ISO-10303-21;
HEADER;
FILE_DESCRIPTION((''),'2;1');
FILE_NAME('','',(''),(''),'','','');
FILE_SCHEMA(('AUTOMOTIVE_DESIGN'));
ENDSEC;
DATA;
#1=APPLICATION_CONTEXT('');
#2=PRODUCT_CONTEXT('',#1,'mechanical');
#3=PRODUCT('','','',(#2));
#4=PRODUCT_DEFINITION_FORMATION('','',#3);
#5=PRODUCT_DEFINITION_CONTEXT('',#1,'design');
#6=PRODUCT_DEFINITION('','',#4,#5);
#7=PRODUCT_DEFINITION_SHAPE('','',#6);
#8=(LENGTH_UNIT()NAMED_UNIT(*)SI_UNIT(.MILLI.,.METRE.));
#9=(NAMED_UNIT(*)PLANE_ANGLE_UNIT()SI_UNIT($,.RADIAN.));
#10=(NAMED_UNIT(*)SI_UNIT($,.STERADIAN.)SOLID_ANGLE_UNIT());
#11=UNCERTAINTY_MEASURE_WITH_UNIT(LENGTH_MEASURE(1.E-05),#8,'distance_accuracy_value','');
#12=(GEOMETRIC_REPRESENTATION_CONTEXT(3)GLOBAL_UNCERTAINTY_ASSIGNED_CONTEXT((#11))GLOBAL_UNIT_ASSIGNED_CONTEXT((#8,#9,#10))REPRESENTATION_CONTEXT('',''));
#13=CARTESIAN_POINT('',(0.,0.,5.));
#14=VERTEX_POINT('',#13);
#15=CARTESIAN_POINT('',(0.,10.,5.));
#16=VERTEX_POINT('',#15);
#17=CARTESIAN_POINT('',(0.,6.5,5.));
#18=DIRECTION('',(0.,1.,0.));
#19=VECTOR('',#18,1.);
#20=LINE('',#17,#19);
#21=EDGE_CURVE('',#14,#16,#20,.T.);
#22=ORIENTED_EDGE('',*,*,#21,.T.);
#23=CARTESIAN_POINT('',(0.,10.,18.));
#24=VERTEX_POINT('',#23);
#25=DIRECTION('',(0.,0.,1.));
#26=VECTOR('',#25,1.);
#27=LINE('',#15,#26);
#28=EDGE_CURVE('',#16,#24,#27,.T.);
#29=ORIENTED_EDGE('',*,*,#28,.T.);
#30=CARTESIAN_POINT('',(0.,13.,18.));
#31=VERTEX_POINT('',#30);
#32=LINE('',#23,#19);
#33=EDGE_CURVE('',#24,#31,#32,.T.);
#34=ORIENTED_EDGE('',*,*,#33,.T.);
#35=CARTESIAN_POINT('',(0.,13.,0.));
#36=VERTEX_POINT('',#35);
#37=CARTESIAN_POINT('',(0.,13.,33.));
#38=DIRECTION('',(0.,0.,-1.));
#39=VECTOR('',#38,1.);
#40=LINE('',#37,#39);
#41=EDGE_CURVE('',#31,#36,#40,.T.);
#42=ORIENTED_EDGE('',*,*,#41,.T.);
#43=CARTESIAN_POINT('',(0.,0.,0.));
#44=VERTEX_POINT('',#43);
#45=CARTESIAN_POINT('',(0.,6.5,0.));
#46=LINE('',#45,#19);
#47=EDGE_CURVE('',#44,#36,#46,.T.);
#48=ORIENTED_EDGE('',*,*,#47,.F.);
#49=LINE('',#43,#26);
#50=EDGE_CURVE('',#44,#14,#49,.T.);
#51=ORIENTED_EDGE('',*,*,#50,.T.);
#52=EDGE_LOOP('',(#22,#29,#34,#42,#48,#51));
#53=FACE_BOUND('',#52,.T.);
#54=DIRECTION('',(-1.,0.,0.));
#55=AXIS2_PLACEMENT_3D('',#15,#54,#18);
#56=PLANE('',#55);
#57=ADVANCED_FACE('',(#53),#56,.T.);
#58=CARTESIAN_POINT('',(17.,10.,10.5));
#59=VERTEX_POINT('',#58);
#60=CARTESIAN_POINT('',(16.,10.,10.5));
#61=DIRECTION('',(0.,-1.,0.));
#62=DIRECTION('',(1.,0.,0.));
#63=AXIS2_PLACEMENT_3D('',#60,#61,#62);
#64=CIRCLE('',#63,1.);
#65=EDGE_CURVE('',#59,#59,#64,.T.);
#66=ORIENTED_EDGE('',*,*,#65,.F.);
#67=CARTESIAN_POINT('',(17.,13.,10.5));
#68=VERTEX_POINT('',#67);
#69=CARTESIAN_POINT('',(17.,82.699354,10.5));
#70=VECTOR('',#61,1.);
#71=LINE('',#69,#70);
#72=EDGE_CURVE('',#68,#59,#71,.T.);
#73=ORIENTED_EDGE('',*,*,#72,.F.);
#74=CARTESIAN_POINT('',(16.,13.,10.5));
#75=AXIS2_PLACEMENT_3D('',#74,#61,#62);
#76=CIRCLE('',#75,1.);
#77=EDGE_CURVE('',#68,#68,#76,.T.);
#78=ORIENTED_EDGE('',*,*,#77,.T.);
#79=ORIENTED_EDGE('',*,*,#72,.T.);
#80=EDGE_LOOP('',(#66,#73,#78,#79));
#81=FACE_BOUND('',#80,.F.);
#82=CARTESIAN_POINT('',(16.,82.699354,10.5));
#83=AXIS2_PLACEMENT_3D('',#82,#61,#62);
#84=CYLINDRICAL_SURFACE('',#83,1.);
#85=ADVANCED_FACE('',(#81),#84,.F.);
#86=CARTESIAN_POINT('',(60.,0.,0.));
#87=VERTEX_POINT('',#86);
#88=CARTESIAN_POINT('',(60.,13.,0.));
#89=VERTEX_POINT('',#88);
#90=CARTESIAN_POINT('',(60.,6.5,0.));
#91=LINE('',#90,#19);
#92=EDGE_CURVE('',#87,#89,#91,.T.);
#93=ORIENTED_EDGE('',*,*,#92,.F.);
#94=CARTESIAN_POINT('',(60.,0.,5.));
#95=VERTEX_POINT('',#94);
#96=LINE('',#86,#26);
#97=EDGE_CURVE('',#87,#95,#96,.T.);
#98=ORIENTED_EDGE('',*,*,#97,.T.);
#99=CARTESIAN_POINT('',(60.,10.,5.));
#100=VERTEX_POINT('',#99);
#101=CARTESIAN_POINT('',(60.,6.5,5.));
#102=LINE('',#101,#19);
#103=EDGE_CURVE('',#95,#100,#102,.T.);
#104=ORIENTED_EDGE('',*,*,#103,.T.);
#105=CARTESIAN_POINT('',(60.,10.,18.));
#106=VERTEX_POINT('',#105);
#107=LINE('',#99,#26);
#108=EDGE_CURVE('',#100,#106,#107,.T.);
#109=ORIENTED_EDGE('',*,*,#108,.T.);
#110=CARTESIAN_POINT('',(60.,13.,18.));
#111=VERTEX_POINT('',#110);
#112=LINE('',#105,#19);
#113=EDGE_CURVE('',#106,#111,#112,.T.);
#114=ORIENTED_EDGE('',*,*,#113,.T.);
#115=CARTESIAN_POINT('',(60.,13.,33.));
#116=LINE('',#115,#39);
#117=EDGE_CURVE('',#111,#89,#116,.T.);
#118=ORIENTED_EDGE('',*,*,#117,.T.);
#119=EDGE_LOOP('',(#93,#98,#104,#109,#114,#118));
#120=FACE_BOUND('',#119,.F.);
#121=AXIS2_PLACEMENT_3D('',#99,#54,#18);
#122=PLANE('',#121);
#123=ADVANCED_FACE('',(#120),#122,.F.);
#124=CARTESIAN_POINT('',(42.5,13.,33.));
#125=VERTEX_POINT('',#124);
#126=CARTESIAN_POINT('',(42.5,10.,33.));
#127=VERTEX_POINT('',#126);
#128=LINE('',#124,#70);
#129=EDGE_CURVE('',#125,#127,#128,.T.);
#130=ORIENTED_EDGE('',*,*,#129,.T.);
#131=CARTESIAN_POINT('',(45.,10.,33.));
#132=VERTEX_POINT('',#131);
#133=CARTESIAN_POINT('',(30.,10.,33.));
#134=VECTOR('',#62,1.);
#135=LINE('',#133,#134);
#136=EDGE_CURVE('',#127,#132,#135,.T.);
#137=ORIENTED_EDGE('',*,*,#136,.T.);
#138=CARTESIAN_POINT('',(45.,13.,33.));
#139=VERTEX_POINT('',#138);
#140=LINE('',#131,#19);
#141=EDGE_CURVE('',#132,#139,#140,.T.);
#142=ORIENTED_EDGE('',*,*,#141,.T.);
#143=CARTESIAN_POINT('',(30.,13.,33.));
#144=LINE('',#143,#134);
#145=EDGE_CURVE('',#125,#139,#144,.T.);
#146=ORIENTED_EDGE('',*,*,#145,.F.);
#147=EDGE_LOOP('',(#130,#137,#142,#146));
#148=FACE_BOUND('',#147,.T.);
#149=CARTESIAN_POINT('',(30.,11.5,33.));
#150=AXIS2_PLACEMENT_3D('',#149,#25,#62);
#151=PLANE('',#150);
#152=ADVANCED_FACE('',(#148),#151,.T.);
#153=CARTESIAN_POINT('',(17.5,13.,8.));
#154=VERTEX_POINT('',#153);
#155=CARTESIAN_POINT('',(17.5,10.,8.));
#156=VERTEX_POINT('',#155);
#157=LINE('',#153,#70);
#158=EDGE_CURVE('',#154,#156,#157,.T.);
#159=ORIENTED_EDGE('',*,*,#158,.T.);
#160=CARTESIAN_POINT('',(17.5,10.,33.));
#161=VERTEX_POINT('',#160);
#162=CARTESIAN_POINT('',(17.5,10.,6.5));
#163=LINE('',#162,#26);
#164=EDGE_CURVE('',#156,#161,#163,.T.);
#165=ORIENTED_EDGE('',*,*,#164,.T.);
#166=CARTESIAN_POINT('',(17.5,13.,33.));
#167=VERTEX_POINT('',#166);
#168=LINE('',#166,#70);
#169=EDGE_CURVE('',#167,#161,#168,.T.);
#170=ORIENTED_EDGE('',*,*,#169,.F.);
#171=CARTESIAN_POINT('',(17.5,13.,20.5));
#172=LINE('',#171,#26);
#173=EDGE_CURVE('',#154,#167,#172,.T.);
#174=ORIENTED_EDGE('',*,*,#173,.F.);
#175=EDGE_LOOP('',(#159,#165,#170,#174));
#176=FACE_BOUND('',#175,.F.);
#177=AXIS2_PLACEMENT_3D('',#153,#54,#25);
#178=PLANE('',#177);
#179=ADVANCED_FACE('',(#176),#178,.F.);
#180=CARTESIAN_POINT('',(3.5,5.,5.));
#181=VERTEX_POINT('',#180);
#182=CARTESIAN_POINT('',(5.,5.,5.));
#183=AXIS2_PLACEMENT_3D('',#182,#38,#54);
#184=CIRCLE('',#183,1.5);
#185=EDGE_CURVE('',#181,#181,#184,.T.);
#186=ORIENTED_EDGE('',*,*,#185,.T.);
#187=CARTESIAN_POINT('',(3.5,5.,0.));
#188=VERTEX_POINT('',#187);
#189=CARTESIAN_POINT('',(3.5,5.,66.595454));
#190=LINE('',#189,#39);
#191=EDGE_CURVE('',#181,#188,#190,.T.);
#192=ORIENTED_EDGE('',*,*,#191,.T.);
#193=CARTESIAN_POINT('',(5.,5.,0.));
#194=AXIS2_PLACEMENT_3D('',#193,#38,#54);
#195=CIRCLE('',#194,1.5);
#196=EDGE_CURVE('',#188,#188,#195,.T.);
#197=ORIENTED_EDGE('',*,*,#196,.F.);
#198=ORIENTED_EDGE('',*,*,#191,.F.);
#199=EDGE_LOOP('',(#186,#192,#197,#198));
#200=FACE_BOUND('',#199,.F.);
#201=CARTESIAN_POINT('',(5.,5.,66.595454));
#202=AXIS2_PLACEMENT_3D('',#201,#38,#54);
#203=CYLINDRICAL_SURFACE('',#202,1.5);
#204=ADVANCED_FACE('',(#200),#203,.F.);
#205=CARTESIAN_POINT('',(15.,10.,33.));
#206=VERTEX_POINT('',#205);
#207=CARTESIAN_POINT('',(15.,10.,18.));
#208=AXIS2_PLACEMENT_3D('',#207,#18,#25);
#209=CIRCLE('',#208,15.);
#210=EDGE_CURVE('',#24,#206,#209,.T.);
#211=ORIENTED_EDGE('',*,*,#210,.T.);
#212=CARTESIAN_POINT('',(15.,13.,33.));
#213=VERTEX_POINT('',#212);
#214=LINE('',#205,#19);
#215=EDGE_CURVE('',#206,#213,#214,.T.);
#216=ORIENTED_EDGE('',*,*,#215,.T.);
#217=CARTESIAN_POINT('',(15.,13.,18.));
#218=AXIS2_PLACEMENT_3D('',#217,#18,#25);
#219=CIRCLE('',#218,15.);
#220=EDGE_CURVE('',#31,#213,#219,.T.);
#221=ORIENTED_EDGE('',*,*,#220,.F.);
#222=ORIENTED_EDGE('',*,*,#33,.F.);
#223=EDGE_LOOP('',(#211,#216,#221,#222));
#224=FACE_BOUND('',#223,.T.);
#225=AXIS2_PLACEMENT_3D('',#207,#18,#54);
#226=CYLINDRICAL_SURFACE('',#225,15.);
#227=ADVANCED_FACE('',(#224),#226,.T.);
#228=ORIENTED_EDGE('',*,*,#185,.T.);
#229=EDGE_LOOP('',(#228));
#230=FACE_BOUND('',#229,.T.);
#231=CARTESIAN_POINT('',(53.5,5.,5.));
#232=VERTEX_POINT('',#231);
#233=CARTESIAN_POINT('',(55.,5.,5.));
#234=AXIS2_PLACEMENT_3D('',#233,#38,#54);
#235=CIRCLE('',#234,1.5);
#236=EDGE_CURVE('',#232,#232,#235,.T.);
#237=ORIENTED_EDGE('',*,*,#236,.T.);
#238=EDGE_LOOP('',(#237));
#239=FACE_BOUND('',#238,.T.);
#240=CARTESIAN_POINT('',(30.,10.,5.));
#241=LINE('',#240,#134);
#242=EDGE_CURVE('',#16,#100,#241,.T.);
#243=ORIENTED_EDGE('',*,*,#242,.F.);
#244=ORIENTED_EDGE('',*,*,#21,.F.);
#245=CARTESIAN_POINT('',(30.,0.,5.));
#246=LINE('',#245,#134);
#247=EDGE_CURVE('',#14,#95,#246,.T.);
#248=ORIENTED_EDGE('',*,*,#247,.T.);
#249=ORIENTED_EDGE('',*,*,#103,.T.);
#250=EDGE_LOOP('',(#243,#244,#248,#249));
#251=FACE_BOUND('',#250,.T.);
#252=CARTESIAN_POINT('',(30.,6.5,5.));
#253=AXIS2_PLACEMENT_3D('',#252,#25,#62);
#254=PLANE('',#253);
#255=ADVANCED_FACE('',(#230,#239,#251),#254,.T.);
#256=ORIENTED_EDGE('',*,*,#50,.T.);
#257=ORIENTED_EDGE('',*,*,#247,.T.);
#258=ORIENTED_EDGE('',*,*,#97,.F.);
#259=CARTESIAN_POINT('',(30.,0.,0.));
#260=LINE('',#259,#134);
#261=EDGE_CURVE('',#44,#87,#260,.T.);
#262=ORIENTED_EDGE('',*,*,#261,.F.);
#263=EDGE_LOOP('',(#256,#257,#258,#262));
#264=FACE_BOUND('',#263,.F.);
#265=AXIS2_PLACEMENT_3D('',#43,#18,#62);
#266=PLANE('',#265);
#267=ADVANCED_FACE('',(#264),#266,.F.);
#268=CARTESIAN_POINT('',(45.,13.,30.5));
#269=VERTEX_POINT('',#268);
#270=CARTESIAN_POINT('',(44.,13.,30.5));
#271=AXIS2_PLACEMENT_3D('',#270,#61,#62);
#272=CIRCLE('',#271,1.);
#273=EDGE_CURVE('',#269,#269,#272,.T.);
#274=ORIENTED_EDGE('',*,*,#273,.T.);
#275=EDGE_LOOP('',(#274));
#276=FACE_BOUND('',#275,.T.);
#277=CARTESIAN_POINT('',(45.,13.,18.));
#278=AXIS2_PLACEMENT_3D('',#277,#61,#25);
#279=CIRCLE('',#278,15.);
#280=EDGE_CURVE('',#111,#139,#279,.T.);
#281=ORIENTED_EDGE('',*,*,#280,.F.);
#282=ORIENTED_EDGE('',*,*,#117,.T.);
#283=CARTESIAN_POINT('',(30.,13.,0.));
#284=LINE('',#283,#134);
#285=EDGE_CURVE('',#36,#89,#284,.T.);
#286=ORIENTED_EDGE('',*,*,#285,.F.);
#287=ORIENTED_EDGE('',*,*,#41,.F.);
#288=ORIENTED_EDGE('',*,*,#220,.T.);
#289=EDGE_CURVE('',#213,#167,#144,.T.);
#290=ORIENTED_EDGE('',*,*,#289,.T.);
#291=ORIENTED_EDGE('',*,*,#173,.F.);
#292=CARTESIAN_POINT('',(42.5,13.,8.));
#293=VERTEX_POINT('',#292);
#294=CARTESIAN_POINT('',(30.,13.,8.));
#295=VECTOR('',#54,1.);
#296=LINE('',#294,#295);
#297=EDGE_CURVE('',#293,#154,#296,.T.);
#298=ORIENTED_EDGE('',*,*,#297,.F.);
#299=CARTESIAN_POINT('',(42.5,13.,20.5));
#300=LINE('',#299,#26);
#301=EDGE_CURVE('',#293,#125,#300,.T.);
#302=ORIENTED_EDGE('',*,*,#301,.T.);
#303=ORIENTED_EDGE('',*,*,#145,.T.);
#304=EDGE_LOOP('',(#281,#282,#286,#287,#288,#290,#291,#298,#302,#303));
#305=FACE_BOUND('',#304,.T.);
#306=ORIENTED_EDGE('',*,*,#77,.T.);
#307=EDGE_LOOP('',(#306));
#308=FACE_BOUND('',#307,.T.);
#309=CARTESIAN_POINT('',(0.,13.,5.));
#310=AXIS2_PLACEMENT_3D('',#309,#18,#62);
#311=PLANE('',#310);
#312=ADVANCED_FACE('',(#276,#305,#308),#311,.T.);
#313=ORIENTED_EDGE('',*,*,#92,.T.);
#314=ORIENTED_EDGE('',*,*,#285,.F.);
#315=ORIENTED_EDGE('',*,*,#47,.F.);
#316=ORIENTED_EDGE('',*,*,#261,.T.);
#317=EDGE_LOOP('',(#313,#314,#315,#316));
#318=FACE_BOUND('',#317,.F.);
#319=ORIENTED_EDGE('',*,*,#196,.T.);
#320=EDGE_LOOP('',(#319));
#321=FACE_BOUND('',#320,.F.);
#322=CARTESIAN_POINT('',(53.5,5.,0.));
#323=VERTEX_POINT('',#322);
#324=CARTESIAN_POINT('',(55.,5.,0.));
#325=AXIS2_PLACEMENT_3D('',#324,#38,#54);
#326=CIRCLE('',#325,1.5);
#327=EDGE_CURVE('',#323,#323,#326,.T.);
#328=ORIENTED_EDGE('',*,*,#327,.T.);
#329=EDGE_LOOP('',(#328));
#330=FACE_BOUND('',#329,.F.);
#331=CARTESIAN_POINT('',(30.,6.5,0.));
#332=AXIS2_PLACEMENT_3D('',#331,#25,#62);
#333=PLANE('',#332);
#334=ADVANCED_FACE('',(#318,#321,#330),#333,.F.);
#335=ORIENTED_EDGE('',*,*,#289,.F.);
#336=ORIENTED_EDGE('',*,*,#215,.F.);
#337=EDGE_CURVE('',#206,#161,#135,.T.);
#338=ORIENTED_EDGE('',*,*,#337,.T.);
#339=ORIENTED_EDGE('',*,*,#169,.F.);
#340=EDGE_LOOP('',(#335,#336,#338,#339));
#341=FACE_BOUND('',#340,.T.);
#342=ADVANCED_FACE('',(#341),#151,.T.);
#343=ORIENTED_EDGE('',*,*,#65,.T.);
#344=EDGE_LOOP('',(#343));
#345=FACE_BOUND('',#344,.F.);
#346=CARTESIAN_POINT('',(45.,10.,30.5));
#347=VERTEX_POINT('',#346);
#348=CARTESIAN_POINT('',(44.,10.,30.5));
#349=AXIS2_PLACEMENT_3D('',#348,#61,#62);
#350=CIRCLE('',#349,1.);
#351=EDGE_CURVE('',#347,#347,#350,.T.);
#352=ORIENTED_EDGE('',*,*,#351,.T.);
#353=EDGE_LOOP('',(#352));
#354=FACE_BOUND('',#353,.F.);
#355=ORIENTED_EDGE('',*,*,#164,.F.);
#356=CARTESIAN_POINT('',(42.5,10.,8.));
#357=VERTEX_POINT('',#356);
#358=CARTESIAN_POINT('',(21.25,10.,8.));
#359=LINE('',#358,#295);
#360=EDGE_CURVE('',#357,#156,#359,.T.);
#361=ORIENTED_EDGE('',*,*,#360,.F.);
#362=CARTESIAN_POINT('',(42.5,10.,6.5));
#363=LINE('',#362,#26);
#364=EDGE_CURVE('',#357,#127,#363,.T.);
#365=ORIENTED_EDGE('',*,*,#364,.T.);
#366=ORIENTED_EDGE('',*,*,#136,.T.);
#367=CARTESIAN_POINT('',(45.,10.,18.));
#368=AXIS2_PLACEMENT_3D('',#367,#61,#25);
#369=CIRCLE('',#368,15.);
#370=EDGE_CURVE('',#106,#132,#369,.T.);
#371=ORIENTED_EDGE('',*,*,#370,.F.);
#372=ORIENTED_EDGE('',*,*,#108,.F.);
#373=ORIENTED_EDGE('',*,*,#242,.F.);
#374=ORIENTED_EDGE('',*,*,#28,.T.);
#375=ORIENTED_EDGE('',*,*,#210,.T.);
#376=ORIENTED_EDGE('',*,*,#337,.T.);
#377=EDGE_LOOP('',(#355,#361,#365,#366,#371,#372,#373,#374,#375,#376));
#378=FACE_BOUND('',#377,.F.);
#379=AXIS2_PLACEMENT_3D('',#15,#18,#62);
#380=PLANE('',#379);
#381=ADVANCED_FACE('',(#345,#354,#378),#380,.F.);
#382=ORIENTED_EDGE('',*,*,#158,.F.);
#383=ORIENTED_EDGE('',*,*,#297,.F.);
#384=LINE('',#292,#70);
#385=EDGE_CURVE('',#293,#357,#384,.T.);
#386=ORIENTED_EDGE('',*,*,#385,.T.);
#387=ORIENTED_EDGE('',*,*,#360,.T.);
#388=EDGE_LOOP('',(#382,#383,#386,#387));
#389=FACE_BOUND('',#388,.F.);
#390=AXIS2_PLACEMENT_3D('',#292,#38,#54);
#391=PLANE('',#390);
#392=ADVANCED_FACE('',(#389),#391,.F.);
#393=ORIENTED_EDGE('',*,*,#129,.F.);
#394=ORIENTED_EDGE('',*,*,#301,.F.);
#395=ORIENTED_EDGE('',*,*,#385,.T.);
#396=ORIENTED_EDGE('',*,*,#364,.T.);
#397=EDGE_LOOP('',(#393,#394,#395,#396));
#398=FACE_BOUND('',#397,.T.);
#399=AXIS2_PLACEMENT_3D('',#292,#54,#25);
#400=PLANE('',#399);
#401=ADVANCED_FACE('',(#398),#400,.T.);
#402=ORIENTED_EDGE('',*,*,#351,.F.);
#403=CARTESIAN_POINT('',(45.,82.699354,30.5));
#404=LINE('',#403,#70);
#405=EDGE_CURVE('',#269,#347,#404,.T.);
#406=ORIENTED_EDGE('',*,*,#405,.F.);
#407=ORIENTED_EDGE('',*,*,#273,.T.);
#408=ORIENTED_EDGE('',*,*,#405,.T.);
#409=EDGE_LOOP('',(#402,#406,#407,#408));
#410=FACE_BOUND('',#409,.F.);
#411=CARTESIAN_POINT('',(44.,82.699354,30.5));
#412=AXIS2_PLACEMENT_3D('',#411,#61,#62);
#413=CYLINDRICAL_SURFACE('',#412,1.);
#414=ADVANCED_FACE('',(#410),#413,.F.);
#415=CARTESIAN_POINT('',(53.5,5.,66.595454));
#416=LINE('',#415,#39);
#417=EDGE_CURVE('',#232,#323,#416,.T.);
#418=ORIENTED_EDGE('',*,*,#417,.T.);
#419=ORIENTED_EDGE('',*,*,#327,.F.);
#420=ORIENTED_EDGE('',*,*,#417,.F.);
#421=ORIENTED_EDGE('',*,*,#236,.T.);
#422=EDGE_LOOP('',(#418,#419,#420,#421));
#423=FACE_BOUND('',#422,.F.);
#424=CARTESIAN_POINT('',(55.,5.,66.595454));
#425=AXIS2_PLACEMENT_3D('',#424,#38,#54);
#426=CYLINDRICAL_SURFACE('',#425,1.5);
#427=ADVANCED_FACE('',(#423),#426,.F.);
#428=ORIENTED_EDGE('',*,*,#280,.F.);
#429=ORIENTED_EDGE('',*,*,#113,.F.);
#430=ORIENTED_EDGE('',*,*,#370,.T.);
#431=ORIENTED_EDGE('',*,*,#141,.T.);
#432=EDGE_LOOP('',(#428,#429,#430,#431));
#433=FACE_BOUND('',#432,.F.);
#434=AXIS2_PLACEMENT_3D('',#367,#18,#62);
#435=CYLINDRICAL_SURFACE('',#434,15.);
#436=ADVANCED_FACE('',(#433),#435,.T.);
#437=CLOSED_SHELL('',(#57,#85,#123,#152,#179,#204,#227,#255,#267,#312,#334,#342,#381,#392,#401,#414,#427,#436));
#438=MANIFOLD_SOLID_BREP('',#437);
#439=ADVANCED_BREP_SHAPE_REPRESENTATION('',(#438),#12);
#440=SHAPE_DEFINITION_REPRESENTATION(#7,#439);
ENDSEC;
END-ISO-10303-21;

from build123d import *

# Parameters (mm, degrees)
F0_W     = 60
F0_H     = 13
F1_DEPTH = 5
F3_D     = 3
F4_W     = 60
F4_H     = 3
F5_DEPTH = 28
F6_W     = 25
F6_H     = 25
F7_DEPTH = 5
F9_D     = 2
F10_R    = 15


with BuildPart() as f1:
    # F0 (on Top) → F1 (new body)
    with BuildSketch(Plane.XY):
        with Locations((30, 6.5)):
            Rectangle(F0_W, F0_H)
    extrude(amount=F1_DEPTH)

    # F3 (through all)
    with Locations(Plane.XY.offset(5)):
        with Locations((5, 5), (55, 5)):
            Hole(F3_D / 2)

    # F4 (on face) → F5 (join)
    with BuildSketch(Plane.XY.offset(5)):
        with Locations((30, 11.5)):
            Rectangle(F4_W, F4_H)
    extrude(amount=F5_DEPTH)

    # F6 (on face) → F7 (cut)
    with BuildSketch(Plane(origin=(0, 13, 0), x_dir=(-1, 0, 0), z_dir=(0, 1, 0))):
        with Locations((-30, 20.5)):
            Rectangle(F6_W, F6_H)
    extrude(amount=-F7_DEPTH, mode=Mode.SUBTRACT)

    # F9 (through all)
    with Locations(Plane(origin=(0, 13, 0), x_dir=(-1, 0, 0), z_dir=(0, 1, 0))):
        with Locations((-44, 30.5), (-16, 10.5)):
            Hole(F9_D / 2)

    # F10
    f10_edges = [f1.edges().sort_by_distance(p)[0] for p in [
        (0, 11.5, 33),
        (60, 11.5, 33),
    ]]
    fillet(f10_edges, radius=F10_R)


solid = f1.part
